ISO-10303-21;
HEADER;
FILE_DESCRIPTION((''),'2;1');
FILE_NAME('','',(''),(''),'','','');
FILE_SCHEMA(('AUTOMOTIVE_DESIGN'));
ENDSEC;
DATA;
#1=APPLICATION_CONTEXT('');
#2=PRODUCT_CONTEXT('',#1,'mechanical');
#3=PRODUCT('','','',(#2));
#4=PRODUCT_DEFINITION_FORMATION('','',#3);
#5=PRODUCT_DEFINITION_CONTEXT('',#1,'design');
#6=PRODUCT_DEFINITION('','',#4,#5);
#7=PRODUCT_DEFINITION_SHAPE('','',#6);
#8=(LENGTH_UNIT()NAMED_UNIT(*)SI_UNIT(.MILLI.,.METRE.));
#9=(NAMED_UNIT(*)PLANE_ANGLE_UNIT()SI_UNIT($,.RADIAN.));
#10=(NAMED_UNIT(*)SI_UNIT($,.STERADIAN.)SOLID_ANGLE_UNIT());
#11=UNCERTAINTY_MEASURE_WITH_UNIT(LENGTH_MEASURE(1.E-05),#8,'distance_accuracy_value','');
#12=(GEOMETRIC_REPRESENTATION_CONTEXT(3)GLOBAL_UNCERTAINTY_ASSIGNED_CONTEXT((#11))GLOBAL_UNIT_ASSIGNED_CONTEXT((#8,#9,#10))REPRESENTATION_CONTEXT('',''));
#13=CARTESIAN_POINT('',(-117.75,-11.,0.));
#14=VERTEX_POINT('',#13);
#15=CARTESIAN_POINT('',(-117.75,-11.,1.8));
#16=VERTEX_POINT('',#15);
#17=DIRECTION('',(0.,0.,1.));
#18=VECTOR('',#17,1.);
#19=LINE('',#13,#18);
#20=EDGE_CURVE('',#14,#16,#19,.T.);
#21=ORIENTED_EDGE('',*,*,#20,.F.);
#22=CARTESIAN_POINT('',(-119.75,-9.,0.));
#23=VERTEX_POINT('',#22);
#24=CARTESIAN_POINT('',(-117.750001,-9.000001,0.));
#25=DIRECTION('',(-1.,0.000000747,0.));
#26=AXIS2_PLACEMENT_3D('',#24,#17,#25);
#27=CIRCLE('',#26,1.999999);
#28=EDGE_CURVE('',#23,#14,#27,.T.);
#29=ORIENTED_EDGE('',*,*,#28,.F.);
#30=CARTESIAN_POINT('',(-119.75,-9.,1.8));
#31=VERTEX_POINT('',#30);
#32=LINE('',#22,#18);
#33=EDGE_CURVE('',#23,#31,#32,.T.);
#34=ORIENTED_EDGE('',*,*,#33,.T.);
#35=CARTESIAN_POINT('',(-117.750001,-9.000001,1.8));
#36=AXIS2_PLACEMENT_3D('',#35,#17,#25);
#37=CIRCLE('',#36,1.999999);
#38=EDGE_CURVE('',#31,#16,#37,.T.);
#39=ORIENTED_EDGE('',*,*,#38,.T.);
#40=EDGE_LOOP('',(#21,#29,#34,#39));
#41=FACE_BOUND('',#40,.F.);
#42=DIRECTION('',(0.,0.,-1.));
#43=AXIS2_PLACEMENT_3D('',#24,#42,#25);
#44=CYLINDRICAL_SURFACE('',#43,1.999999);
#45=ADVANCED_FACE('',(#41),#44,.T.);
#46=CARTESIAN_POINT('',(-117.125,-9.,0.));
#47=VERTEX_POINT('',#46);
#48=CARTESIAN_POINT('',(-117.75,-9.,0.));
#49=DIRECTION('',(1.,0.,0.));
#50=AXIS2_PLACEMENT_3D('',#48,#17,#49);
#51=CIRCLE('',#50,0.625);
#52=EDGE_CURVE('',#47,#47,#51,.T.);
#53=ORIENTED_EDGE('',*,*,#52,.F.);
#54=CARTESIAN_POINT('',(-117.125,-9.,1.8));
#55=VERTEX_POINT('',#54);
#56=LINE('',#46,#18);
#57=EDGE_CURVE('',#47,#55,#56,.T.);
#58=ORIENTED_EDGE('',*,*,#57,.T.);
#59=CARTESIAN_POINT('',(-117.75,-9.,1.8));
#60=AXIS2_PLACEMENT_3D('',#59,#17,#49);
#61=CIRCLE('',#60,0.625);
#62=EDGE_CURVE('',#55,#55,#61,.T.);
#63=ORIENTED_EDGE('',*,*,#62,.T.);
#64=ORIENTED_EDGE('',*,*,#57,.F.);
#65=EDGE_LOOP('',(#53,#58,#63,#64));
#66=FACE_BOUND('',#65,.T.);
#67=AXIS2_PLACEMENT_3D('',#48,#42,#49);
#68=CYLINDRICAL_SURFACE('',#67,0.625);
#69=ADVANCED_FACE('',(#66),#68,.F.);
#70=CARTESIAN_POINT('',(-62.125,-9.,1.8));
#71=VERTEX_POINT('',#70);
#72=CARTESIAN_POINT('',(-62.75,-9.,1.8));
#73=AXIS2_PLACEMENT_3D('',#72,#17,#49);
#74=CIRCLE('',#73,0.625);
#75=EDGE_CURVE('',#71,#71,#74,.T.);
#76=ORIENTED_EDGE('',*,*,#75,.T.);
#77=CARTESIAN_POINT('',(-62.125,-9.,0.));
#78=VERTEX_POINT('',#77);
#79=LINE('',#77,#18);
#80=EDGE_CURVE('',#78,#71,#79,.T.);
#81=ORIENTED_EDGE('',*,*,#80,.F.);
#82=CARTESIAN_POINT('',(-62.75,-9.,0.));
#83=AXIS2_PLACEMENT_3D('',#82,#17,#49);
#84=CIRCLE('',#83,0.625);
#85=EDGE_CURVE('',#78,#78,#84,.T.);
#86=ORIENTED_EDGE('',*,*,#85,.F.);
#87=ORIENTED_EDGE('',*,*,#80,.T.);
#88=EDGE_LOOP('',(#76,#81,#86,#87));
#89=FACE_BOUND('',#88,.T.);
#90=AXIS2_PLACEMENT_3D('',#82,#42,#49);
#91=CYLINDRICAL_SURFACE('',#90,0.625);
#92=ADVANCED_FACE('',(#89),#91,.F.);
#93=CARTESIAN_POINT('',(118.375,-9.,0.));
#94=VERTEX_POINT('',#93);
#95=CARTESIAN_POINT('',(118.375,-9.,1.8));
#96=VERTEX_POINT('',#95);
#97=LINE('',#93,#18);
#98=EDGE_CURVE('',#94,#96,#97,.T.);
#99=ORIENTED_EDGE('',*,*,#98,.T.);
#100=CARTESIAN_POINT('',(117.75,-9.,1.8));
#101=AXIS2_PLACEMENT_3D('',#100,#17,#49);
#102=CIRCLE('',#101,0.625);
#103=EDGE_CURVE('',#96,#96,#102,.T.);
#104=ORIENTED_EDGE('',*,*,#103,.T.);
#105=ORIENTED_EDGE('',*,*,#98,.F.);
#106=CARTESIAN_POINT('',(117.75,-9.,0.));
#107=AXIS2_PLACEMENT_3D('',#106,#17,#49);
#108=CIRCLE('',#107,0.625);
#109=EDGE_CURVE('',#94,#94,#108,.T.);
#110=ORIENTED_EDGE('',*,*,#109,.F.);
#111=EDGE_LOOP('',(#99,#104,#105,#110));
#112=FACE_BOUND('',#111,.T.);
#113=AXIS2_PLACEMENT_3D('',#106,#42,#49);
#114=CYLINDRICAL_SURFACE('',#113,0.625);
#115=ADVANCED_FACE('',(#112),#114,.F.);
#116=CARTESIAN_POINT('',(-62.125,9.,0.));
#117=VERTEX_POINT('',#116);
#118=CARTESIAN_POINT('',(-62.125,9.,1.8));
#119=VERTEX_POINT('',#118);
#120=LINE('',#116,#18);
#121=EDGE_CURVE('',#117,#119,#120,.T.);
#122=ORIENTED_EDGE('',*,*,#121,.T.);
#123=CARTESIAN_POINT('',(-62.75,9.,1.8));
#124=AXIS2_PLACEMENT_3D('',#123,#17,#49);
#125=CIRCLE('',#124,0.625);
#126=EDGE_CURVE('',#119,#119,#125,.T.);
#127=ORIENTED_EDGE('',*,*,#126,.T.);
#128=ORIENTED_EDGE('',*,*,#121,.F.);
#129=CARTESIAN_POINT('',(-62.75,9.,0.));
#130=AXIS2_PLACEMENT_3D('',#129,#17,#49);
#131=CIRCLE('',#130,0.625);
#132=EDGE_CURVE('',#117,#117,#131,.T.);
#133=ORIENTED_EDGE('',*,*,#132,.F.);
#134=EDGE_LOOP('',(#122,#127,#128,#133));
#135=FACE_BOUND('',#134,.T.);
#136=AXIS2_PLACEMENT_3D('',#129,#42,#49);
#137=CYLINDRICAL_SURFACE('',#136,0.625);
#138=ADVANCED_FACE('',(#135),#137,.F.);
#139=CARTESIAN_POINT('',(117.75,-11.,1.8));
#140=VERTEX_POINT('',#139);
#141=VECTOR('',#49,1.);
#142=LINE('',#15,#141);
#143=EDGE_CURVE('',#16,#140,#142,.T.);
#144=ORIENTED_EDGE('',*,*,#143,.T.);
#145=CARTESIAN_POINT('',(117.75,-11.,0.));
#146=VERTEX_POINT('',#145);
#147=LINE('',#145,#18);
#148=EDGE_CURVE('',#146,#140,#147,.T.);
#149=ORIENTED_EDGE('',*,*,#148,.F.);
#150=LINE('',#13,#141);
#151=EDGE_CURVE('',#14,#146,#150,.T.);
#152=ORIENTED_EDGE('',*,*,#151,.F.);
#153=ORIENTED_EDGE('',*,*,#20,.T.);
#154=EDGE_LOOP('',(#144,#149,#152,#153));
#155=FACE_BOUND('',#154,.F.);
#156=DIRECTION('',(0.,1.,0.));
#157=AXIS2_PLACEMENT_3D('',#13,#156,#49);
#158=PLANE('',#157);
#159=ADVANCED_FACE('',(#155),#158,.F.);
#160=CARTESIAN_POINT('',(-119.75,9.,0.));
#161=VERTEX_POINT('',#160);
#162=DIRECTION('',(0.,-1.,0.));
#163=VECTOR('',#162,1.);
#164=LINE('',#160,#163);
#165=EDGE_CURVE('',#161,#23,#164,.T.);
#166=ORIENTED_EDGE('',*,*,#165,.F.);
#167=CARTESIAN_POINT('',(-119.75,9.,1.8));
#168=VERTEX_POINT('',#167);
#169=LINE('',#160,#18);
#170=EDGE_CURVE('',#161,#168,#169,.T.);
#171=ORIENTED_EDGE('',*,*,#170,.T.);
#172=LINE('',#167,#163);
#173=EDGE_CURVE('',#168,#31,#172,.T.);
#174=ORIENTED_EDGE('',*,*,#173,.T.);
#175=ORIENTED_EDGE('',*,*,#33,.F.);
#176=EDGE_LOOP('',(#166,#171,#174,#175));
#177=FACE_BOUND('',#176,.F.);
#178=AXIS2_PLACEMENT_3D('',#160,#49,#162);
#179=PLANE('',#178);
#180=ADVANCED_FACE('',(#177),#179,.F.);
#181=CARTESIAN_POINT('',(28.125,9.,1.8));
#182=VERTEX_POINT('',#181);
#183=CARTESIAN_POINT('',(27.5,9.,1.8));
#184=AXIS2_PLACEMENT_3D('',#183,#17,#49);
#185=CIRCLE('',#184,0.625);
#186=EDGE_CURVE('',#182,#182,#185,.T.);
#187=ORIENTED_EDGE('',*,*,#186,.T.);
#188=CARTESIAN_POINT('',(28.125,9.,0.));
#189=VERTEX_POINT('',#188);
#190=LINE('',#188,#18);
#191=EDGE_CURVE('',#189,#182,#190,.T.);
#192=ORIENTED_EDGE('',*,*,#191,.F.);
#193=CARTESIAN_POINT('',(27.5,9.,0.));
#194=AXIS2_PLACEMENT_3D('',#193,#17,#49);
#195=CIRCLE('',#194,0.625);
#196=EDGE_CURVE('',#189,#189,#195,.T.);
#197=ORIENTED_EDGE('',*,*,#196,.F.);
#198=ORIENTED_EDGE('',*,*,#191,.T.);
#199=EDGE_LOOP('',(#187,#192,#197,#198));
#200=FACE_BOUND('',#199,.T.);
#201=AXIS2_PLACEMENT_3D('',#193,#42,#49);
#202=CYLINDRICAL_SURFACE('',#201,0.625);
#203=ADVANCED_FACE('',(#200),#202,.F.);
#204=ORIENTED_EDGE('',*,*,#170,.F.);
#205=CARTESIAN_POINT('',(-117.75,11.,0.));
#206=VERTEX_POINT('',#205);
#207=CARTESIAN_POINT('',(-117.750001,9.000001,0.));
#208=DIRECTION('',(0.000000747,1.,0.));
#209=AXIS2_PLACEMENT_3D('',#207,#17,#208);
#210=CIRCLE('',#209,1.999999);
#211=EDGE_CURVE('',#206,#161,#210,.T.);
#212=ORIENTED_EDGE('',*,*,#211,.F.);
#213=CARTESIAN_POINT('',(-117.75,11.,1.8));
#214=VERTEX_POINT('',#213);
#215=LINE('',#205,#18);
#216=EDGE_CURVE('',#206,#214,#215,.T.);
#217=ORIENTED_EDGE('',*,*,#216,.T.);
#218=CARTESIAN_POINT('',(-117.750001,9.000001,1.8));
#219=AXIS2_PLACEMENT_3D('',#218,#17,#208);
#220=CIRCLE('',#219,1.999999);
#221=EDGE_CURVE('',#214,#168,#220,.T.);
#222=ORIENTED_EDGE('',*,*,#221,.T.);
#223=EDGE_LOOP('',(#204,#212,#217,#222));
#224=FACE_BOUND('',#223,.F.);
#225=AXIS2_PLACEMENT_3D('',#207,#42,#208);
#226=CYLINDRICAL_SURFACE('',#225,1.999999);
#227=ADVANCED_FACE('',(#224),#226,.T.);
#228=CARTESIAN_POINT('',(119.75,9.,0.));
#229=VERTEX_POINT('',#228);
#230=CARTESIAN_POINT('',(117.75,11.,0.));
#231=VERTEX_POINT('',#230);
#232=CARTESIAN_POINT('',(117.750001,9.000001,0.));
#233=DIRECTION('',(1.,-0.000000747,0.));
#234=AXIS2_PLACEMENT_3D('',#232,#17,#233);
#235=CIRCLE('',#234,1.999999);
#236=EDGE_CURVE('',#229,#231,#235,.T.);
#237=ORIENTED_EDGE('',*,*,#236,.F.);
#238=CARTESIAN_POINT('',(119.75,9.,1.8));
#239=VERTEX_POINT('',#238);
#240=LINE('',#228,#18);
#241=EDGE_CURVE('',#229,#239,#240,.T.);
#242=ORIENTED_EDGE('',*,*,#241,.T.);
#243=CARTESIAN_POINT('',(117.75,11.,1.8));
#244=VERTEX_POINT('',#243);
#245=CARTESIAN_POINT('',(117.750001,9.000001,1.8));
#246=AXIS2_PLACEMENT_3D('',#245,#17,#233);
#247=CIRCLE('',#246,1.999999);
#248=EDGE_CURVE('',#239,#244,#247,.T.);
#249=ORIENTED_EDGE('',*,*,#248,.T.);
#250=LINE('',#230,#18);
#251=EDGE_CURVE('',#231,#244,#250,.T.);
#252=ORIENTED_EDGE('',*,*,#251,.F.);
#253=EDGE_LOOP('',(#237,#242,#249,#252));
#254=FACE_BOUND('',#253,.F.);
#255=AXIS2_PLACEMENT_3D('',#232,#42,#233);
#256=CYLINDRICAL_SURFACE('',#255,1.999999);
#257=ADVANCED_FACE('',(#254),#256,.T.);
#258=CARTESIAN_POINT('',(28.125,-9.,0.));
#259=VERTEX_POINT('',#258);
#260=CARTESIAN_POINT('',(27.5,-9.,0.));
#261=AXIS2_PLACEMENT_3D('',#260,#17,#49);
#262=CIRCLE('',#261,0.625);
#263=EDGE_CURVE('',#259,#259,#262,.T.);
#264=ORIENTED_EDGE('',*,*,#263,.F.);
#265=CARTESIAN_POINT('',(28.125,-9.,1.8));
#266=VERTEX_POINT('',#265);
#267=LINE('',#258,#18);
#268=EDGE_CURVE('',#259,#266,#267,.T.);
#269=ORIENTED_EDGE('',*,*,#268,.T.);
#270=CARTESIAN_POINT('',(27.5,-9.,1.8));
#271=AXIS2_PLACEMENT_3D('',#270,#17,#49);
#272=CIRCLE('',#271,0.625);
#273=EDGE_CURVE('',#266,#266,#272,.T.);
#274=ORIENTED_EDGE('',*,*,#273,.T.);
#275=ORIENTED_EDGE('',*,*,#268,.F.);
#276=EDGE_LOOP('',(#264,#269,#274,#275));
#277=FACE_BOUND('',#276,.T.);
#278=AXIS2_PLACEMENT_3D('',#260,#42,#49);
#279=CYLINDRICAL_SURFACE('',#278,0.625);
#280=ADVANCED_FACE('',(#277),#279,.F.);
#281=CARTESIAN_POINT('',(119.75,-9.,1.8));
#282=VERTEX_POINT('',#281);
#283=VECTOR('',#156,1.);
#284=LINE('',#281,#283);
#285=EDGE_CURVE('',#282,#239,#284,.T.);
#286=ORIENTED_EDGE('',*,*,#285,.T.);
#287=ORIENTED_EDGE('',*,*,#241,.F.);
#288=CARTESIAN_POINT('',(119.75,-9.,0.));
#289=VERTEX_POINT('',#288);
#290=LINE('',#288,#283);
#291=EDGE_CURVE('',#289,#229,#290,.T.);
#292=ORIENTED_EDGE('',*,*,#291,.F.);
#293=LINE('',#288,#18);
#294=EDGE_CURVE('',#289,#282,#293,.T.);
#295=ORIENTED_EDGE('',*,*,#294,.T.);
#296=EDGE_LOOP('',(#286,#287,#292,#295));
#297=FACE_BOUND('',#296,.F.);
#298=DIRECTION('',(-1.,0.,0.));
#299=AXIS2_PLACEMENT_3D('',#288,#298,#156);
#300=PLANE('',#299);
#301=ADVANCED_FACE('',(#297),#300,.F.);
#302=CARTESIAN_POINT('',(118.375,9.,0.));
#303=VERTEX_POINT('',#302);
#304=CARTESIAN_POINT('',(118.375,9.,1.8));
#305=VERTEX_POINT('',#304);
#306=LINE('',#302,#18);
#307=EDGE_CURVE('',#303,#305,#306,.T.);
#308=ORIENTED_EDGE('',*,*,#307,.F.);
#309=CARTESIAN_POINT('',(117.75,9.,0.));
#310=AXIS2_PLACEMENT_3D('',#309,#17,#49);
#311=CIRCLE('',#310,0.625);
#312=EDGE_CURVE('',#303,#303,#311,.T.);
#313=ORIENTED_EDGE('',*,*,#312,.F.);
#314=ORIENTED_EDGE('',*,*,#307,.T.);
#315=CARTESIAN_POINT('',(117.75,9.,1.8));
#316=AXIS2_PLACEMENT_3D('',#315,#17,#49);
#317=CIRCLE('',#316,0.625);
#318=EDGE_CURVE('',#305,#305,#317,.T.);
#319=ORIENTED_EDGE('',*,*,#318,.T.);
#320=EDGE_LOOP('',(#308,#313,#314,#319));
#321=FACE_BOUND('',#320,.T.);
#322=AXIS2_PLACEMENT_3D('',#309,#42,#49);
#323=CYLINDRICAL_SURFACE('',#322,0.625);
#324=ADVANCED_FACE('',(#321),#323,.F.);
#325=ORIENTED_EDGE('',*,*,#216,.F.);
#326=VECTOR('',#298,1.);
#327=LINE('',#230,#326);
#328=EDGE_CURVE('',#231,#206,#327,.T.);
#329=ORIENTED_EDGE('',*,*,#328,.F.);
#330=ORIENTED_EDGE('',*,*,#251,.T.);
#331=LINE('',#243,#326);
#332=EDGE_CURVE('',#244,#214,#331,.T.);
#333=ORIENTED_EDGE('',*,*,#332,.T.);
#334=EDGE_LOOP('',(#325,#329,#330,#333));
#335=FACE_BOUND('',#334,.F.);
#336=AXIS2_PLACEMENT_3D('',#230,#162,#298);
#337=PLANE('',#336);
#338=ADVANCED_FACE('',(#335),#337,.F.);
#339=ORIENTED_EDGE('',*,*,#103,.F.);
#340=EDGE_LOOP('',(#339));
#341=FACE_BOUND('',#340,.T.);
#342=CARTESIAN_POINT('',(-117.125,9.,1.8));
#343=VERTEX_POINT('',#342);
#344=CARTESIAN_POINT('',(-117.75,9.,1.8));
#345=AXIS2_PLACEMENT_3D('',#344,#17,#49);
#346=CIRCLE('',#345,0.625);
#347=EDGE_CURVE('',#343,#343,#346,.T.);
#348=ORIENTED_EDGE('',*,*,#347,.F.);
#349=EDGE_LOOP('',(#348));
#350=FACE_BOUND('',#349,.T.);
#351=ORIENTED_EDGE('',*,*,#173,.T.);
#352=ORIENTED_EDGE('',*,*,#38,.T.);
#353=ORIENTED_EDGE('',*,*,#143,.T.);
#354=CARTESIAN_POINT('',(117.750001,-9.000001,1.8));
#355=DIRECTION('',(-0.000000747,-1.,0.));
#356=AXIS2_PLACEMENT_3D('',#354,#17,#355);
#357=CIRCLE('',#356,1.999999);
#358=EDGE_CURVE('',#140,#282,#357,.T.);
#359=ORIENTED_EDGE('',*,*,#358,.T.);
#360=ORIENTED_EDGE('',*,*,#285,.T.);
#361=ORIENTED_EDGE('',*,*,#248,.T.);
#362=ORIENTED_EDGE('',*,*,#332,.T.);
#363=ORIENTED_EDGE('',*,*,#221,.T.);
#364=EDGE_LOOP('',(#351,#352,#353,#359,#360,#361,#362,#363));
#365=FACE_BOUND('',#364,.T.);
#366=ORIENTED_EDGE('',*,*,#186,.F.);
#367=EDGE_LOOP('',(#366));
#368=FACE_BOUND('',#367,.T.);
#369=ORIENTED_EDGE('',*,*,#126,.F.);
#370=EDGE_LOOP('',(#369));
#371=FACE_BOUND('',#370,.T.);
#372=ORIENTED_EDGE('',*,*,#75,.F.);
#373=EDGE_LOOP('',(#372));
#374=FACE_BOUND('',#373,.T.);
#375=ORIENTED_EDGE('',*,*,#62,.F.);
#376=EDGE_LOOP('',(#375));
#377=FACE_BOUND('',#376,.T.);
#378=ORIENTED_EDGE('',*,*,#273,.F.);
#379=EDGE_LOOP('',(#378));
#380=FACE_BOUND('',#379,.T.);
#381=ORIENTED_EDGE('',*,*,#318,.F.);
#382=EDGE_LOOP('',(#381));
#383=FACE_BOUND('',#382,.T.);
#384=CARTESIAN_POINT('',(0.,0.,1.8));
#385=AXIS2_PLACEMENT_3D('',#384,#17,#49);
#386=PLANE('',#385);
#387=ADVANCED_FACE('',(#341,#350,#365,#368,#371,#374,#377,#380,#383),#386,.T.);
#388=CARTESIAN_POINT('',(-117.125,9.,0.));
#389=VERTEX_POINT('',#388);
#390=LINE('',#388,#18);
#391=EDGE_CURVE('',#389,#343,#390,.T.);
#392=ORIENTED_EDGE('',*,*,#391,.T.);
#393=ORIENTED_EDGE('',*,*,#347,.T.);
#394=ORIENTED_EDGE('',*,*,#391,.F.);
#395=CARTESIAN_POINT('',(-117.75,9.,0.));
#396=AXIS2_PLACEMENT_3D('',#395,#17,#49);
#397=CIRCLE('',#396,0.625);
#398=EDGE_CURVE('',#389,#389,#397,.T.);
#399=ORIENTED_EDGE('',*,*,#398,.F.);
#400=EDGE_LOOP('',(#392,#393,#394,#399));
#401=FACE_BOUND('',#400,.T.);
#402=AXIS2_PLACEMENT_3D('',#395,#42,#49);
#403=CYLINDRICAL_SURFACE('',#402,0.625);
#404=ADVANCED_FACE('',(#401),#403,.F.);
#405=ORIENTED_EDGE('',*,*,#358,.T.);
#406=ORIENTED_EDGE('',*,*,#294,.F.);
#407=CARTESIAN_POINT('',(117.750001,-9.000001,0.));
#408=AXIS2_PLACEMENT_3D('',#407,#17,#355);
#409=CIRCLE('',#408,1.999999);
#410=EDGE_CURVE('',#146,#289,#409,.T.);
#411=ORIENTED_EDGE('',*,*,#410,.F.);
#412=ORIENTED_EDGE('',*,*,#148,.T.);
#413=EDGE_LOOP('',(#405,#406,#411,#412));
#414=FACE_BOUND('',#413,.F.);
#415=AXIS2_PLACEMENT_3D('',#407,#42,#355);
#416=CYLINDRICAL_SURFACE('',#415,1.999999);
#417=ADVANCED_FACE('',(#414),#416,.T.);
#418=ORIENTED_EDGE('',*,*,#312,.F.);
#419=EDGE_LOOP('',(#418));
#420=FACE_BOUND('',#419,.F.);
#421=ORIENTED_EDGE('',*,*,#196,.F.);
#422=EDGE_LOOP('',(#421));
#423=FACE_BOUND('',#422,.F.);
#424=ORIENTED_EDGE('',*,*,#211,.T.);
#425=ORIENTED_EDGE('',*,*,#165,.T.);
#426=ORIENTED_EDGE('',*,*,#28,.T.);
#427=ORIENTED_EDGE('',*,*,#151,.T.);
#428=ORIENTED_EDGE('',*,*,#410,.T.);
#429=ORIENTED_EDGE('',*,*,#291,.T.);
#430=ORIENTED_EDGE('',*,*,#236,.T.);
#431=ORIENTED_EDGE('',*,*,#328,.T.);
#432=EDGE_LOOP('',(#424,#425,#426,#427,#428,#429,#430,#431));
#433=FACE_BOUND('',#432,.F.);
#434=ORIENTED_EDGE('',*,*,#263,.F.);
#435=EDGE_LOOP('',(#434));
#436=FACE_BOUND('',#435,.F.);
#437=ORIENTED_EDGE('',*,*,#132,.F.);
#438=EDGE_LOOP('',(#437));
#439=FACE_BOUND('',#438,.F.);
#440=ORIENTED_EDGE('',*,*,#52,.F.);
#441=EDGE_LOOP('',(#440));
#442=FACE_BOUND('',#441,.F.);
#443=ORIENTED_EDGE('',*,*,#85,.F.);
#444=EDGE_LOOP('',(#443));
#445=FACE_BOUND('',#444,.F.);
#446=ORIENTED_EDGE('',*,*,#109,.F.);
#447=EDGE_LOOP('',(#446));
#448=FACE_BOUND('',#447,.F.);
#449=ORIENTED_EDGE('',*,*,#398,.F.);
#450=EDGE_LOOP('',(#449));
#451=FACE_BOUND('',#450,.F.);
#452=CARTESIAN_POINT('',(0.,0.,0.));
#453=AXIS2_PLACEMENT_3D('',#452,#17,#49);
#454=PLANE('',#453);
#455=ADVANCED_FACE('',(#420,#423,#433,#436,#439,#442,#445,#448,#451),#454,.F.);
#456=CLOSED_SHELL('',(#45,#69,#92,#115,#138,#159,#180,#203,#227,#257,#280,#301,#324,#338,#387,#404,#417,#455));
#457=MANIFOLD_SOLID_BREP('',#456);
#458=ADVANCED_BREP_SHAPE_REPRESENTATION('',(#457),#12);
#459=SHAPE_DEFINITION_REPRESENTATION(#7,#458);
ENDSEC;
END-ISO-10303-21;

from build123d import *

# Parameters (mm, degrees)
SKETCH_R  = 0.625
PAD_DEPTH = 1.8


with BuildPart() as part:
    # Sketch → Pad (new body)
    with BuildSketch(Plane.XY):
        with BuildLine():
            Line((-119.75, 9), (-119.75, -9))
            ThreePointArc((-119.75, -9), (-119.164214, -10.414214), (-117.75, -11))
            Line((-117.75, -11), (117.75, -11))
            ThreePointArc((117.75, -11), (119.164214, -10.414214), (119.75, -9))
            Line((119.75, -9), (119.75, 9))
            ThreePointArc((119.75, 9), (119.164214, 10.414214), (117.75, 11))
            Line((117.75, 11), (-117.75, 11))
            ThreePointArc((-117.75, 11), (-119.164214, 10.414214), (-119.75, 9))
        make_face()
        with Locations((-117.75, 9)):
            Circle(SKETCH_R, mode=Mode.SUBTRACT)
        with Locations((117.75, 9)):
            Circle(SKETCH_R, mode=Mode.SUBTRACT)
        with Locations((-117.75, -9)):
            Circle(SKETCH_R, mode=Mode.SUBTRACT)
        with Locations((-62.75, 9)):
            Circle(SKETCH_R, mode=Mode.SUBTRACT)
        with Locations((-62.75, -9)):
            Circle(SKETCH_R, mode=Mode.SUBTRACT)
        with Locations((27.5, 9)):
            Circle(SKETCH_R, mode=Mode.SUBTRACT)
        with Locations((117.75, -9)):
            Circle(SKETCH_R, mode=Mode.SUBTRACT)
        with Locations((27.5, -9)):
            Circle(SKETCH_R, mode=Mode.SUBTRACT)
    extrude(amount=PAD_DEPTH)


solid = part.part
